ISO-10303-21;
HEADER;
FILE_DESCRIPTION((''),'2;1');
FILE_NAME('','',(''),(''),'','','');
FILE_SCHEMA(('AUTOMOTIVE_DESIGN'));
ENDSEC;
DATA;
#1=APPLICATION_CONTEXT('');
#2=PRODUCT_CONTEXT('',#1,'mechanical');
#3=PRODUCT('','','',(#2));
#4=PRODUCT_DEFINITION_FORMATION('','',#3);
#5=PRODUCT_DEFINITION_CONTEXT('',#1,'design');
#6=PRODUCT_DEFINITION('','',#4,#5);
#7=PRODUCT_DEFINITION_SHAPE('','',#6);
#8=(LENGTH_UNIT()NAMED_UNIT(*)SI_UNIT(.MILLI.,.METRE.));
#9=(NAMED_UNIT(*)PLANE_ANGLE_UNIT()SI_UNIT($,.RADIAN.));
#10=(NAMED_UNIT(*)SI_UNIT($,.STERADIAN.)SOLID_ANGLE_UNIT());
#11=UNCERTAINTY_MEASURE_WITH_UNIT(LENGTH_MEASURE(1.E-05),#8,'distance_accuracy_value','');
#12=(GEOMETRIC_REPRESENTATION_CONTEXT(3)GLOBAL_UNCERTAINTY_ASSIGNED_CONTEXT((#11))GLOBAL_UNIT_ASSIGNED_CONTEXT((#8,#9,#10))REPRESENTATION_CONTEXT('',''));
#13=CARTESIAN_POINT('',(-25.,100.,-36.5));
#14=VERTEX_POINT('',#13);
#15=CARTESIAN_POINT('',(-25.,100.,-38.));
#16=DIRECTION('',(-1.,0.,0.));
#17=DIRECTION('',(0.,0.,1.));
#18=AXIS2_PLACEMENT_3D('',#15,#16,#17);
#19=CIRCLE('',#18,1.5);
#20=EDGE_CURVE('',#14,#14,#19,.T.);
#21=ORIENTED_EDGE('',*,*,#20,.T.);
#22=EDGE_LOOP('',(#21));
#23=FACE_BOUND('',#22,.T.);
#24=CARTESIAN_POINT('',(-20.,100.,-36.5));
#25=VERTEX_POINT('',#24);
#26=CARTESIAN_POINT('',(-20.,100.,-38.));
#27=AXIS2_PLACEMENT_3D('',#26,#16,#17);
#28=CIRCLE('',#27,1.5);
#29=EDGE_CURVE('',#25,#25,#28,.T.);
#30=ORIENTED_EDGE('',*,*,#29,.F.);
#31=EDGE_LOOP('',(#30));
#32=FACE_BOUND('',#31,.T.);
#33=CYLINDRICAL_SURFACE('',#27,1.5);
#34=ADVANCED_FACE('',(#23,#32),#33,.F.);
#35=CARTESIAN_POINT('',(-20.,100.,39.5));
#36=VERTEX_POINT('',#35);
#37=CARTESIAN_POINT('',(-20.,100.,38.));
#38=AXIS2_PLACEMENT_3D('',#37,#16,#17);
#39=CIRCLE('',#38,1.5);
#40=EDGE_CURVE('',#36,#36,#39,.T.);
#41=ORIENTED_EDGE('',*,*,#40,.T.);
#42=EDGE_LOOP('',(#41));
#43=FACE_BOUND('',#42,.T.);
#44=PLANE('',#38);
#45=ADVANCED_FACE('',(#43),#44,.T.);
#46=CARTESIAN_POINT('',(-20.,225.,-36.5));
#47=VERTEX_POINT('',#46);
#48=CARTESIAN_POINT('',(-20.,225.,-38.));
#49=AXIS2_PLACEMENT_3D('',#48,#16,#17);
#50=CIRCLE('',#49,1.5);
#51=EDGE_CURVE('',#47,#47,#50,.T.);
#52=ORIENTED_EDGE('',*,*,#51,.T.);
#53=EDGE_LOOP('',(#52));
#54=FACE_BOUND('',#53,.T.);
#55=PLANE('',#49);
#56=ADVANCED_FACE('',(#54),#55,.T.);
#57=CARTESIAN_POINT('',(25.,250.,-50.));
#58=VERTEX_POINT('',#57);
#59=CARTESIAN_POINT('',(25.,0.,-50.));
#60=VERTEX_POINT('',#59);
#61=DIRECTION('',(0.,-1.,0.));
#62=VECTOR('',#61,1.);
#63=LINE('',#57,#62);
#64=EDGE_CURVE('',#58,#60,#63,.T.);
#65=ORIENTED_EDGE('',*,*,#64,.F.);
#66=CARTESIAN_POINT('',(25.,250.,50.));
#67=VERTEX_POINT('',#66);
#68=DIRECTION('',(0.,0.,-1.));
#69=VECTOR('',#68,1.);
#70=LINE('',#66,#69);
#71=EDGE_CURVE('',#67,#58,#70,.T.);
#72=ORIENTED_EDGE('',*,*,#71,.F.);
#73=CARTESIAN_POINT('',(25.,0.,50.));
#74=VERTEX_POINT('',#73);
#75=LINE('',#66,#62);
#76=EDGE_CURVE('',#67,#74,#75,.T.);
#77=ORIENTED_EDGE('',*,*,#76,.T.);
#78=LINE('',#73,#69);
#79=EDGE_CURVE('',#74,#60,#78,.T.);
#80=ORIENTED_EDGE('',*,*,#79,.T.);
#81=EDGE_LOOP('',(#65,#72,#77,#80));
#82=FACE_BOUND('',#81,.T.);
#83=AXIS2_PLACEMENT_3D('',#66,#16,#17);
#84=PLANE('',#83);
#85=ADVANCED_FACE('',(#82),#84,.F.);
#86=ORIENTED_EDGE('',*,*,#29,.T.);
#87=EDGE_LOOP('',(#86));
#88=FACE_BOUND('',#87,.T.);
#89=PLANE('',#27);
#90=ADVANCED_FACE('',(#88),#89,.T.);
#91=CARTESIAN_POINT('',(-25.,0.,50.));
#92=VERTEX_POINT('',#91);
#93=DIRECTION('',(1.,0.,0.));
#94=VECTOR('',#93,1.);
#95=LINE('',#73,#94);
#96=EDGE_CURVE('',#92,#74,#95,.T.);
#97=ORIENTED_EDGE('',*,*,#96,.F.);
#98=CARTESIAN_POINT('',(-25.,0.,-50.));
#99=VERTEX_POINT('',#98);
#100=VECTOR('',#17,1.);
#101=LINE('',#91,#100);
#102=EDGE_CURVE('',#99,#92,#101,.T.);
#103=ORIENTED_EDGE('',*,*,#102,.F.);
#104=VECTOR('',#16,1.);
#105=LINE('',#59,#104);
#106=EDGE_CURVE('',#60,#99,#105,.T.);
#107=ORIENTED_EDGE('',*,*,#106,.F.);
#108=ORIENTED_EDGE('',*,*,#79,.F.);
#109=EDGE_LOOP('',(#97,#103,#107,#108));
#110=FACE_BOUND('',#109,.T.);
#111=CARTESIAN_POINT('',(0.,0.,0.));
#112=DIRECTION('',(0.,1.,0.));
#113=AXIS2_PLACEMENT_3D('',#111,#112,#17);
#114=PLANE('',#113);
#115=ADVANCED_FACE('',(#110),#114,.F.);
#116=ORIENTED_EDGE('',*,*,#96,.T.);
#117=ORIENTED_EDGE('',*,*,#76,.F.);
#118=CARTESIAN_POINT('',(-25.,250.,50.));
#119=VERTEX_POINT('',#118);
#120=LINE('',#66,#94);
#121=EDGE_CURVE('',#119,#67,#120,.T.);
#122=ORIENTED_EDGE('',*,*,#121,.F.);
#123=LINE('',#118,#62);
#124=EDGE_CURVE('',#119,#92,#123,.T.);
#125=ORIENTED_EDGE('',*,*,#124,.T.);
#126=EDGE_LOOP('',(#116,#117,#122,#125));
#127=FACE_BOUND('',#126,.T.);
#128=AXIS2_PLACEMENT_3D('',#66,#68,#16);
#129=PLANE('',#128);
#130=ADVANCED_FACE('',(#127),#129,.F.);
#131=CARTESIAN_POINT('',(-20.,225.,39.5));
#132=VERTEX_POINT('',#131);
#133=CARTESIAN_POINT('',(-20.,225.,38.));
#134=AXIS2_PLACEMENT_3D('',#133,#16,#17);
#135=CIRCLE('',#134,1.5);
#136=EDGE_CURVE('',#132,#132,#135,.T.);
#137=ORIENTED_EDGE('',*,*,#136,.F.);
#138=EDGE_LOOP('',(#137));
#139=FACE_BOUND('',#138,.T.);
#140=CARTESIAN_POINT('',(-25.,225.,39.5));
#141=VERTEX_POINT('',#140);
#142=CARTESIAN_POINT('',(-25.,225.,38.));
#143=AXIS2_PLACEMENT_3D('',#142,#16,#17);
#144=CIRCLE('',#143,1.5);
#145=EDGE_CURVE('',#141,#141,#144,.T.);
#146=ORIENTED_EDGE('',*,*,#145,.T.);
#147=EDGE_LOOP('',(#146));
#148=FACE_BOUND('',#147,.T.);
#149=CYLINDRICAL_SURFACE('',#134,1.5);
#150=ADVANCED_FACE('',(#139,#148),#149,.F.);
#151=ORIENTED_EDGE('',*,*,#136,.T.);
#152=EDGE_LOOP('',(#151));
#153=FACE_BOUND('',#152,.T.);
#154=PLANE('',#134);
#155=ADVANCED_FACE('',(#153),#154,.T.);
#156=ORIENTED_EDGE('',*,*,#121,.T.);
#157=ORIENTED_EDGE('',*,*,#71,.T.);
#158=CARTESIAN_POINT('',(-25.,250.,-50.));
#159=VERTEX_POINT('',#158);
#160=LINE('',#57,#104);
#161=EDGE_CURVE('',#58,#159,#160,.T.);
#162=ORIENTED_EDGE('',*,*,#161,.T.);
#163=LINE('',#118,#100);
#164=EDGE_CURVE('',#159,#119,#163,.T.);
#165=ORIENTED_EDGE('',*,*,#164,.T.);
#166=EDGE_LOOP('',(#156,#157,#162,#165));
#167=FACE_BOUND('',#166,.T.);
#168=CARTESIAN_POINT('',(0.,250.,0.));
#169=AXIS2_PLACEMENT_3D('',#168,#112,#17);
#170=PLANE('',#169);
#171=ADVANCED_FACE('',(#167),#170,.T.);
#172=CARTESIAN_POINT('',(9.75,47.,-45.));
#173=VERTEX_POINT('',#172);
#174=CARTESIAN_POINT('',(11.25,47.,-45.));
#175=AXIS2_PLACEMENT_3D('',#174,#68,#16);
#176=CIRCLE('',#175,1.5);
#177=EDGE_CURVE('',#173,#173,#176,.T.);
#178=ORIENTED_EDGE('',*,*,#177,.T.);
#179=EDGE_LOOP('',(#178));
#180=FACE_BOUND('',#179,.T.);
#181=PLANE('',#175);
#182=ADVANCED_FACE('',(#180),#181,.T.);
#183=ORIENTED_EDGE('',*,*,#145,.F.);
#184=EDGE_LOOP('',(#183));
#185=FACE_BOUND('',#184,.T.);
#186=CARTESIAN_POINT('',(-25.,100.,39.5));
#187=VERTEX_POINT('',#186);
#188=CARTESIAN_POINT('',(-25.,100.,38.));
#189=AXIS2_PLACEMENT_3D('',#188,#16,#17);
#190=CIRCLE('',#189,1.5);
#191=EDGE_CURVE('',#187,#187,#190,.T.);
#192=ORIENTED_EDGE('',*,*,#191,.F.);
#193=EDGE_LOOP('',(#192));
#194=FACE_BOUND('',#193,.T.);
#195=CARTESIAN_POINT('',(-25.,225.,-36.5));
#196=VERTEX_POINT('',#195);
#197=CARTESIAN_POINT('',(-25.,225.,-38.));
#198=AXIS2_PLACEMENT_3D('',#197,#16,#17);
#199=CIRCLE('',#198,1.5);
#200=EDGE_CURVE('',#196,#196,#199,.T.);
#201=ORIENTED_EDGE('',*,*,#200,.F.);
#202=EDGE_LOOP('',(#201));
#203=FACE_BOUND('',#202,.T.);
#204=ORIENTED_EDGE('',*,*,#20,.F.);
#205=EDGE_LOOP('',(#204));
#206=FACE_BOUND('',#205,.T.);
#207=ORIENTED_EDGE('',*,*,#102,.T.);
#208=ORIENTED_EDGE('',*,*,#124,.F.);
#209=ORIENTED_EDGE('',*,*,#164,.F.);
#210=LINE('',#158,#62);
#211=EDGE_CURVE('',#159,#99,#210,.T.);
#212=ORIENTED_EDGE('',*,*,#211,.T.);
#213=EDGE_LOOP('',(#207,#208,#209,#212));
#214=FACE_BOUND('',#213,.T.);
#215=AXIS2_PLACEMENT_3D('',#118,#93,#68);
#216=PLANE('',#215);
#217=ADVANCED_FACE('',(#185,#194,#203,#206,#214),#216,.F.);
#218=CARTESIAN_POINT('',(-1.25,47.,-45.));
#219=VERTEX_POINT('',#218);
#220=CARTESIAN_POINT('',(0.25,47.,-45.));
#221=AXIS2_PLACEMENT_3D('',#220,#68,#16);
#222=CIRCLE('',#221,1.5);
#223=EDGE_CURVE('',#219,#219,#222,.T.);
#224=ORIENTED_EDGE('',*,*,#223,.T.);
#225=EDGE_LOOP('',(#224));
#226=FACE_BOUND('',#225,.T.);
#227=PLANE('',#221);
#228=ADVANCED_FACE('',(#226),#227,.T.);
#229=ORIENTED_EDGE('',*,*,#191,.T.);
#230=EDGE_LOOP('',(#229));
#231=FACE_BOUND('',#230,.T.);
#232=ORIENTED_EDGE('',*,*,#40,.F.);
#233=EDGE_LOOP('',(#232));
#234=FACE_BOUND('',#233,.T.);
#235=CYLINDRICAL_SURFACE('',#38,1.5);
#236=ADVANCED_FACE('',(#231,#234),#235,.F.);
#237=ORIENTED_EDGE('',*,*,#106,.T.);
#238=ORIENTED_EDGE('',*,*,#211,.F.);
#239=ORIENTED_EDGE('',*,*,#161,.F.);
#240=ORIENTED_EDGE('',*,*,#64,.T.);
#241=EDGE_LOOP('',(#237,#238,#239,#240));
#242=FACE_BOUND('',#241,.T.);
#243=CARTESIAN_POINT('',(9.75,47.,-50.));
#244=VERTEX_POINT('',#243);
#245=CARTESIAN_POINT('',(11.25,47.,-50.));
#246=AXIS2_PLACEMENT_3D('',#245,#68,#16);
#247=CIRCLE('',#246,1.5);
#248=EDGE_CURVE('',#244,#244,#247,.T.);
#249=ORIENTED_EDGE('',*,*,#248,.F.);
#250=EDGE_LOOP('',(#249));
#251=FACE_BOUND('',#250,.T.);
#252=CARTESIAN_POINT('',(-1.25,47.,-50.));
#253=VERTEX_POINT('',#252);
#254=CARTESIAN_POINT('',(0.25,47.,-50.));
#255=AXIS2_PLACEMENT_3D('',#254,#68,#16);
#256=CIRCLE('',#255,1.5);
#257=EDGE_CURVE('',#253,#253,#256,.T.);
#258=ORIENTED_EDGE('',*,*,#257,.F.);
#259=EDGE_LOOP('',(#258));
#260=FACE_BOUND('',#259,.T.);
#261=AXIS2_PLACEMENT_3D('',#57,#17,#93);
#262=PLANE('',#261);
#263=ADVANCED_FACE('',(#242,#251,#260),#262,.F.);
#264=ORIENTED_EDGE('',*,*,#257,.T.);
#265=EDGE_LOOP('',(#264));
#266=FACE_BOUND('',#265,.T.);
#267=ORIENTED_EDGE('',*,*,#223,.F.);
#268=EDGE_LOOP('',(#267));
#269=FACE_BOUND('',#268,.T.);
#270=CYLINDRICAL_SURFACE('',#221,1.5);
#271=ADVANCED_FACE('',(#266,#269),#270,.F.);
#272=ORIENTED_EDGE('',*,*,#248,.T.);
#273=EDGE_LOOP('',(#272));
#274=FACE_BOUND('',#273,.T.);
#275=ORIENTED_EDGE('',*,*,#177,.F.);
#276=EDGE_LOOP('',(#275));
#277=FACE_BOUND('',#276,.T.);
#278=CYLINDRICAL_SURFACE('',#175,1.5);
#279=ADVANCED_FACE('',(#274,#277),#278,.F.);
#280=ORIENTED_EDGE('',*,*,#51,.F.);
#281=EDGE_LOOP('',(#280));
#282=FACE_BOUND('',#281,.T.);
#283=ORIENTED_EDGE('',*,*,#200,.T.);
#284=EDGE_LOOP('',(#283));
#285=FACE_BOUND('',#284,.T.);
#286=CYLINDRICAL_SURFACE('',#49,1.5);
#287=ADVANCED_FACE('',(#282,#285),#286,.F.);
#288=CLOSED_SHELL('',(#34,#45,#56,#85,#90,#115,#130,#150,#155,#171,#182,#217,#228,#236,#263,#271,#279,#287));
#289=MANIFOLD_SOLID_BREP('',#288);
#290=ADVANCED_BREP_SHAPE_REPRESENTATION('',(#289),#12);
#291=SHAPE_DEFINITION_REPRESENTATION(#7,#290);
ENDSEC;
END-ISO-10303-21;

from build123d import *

# Parameters (mm, degrees)
SKETCH1_W           = 50
SKETCH1_H           = 100
BOSS_EXTRUDE1_DEPTH = 250
SKETCH2_R           = 1.5
CUT_EXTRUDE1_DEPTH  = 5
SKETCH3_R           = 1.5
CUT_EXTRUDE2_DEPTH  = 5


with BuildPart() as part:
    # Sketch1 → Boss-Extrude1 (new body)
    with BuildSketch(Plane(origin=(0, 0, 0), x_dir=(1, 0, 0), z_dir=(0, 1, 0))):
        Rectangle(SKETCH1_W, SKETCH1_H)
    extrude(amount=BOSS_EXTRUDE1_DEPTH)

    # Sketch2 → Cut-Extrude1 (cut)
    with BuildSketch(Plane.ZY.offset(25)):
        with Locations((38, 225)):
            Circle(SKETCH2_R)
        with Locations((38, 100)):
            Circle(SKETCH2_R)
        with Locations((-38, 225)):
            Circle(SKETCH2_R)
        with Locations((-38, 100)):
            Circle(SKETCH2_R)
    extrude(amount=-CUT_EXTRUDE1_DEPTH, mode=Mode.SUBTRACT)

    # Sketch3 → Cut-Extrude2 (cut)
    with BuildSketch(Plane(origin=(0, 0, -50), x_dir=(-1, 0, 0), z_dir=(0, 0, -1))):
        with Locations((-0.25, 47)):
            Circle(SKETCH3_R)
        with Locations((-11.25, 47)):
            Circle(SKETCH3_R)
    extrude(amount=-CUT_EXTRUDE2_DEPTH, mode=Mode.SUBTRACT)


solid = part.part
